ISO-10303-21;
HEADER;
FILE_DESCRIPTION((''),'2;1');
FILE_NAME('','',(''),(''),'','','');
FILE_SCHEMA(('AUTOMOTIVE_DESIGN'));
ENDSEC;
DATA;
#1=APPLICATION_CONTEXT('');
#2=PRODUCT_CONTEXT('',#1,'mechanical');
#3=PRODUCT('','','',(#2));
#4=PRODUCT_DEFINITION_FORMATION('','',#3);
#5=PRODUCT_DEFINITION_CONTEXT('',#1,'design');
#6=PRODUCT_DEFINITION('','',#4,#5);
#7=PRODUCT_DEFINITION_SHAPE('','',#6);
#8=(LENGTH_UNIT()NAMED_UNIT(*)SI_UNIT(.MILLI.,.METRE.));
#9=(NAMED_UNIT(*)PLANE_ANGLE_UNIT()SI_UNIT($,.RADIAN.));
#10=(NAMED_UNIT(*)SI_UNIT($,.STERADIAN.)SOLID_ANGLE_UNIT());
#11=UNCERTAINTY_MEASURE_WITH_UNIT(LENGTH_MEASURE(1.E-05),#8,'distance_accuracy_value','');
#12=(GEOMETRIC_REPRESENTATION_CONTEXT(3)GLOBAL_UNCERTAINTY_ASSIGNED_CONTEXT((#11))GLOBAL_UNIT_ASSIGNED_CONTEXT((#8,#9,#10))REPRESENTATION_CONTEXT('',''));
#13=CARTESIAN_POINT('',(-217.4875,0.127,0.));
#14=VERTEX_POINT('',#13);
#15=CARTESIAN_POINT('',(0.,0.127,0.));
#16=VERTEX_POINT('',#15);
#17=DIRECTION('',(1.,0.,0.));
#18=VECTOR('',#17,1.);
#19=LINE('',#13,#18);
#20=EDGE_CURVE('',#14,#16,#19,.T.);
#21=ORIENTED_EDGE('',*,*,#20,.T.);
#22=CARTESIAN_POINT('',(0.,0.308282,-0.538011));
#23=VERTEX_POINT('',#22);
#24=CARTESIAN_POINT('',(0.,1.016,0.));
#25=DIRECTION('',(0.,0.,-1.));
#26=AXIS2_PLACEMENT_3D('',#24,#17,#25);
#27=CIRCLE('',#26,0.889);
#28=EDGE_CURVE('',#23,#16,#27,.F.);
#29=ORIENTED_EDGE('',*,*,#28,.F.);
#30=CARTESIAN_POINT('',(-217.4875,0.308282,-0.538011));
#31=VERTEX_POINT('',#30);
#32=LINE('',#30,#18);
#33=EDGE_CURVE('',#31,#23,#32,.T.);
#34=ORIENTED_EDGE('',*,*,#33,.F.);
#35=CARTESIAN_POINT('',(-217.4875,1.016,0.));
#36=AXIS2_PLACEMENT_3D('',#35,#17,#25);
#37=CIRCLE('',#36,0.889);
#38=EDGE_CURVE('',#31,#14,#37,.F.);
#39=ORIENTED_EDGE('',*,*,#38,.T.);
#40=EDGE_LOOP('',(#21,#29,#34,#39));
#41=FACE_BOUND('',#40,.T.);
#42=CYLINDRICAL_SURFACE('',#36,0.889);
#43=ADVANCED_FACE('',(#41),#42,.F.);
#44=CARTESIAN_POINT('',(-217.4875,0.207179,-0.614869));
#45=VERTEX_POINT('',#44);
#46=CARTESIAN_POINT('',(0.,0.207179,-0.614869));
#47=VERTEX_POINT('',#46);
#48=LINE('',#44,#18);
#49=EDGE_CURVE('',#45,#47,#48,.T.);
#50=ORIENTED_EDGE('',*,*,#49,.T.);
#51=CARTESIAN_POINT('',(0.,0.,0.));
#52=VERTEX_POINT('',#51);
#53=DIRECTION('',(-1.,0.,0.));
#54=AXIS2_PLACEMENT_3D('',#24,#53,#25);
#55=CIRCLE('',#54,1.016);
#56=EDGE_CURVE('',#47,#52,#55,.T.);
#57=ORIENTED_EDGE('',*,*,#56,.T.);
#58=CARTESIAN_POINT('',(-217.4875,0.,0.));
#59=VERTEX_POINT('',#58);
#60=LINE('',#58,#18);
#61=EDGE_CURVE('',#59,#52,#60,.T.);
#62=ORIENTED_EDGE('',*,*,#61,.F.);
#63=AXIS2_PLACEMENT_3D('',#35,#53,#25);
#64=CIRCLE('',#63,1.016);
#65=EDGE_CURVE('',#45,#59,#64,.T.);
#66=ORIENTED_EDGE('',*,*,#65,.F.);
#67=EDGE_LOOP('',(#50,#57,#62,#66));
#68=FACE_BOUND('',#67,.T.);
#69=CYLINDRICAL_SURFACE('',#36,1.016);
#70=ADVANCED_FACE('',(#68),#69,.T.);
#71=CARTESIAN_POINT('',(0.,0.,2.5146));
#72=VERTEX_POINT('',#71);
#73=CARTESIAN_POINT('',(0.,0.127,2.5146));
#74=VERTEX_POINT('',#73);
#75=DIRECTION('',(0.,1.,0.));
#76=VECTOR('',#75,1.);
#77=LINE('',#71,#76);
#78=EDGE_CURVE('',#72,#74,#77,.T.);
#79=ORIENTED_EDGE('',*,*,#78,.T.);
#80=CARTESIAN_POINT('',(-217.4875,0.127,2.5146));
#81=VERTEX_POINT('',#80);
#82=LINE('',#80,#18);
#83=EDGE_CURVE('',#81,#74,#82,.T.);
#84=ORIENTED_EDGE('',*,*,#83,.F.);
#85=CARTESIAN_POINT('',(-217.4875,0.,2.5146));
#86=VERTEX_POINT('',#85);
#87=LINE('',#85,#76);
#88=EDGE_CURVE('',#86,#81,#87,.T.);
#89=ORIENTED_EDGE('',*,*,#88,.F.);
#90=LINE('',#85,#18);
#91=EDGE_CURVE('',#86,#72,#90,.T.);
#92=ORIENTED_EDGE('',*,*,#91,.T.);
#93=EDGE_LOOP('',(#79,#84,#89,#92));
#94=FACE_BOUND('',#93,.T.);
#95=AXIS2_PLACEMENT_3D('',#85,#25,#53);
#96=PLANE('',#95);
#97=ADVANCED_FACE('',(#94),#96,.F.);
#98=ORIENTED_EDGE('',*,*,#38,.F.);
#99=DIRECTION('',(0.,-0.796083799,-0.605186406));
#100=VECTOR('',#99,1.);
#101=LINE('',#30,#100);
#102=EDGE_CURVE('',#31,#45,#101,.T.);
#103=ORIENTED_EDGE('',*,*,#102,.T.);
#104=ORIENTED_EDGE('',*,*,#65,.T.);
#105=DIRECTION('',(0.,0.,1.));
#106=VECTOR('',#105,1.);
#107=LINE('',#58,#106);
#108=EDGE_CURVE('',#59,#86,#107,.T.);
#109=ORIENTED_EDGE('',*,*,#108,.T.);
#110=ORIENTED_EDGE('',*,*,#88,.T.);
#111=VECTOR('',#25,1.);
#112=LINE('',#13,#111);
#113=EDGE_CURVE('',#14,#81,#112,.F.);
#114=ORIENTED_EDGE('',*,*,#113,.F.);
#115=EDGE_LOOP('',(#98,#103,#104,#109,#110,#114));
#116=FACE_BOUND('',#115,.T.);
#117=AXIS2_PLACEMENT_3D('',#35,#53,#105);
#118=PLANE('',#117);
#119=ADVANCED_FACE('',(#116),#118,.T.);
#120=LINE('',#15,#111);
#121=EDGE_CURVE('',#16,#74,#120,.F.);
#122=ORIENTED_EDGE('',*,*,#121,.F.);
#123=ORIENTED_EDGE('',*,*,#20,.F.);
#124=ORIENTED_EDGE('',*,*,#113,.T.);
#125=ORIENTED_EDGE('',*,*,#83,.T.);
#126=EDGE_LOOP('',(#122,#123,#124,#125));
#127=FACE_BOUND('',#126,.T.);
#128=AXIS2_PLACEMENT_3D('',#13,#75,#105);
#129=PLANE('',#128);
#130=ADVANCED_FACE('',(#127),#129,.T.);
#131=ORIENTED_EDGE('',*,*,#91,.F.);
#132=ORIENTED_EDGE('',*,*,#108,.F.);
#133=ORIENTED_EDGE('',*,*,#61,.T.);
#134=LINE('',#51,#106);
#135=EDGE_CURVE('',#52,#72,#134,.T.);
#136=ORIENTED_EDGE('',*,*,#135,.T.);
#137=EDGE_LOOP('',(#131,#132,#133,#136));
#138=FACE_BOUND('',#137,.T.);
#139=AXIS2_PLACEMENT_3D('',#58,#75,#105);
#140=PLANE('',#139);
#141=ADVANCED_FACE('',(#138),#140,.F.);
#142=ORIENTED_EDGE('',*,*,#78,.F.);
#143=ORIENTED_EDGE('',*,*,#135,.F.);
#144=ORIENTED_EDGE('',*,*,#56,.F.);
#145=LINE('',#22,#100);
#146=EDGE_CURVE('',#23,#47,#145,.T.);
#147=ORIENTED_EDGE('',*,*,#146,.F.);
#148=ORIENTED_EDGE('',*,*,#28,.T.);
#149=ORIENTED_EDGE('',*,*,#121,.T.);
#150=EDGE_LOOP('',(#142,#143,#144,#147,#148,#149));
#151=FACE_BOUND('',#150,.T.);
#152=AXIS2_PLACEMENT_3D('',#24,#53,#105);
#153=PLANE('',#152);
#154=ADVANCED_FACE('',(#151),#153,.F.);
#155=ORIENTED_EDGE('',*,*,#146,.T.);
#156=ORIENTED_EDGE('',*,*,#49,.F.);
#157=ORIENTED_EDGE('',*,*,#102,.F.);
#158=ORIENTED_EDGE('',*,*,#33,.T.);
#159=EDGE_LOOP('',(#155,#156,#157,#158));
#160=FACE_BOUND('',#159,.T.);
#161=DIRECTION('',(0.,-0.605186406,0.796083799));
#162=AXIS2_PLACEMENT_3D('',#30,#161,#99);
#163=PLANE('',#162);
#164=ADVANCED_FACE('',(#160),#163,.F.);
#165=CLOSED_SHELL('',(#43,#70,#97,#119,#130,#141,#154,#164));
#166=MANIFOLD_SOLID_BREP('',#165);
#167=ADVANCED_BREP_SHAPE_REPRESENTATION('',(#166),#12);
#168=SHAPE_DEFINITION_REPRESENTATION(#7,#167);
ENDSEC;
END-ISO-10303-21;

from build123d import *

# Parameters (mm, degrees)
EXTRUDE_THIN1_DEPTH = 217.4875


with BuildPart() as part:
    # Sketch1 → Extrude-Thin1 (new body)
    with BuildSketch(Plane(origin=(0, 0, 0), x_dir=(0, 0, -1), z_dir=(1, 0, 0))):
        with BuildLine():
            ThreePointArc((0.614869388, 0.207178861), (0.324417726, 0.053186862), (0, 0))
            Line((0, 0), (-2.5146, 0))
            Line((-2.5146, 0), (-2.5146, 0.127))
            Line((-2.5146, 0.127), (0, 0.127))
            ThreePointArc((0, 0.127), (0.283865511, 0.173538504), (0.538010715, 0.308281503))
            Line((0.538010715, 0.308281503), (0.614869388, 0.207178861))
        make_face()
    extrude(amount=-EXTRUDE_THIN1_DEPTH)


solid = part.part
